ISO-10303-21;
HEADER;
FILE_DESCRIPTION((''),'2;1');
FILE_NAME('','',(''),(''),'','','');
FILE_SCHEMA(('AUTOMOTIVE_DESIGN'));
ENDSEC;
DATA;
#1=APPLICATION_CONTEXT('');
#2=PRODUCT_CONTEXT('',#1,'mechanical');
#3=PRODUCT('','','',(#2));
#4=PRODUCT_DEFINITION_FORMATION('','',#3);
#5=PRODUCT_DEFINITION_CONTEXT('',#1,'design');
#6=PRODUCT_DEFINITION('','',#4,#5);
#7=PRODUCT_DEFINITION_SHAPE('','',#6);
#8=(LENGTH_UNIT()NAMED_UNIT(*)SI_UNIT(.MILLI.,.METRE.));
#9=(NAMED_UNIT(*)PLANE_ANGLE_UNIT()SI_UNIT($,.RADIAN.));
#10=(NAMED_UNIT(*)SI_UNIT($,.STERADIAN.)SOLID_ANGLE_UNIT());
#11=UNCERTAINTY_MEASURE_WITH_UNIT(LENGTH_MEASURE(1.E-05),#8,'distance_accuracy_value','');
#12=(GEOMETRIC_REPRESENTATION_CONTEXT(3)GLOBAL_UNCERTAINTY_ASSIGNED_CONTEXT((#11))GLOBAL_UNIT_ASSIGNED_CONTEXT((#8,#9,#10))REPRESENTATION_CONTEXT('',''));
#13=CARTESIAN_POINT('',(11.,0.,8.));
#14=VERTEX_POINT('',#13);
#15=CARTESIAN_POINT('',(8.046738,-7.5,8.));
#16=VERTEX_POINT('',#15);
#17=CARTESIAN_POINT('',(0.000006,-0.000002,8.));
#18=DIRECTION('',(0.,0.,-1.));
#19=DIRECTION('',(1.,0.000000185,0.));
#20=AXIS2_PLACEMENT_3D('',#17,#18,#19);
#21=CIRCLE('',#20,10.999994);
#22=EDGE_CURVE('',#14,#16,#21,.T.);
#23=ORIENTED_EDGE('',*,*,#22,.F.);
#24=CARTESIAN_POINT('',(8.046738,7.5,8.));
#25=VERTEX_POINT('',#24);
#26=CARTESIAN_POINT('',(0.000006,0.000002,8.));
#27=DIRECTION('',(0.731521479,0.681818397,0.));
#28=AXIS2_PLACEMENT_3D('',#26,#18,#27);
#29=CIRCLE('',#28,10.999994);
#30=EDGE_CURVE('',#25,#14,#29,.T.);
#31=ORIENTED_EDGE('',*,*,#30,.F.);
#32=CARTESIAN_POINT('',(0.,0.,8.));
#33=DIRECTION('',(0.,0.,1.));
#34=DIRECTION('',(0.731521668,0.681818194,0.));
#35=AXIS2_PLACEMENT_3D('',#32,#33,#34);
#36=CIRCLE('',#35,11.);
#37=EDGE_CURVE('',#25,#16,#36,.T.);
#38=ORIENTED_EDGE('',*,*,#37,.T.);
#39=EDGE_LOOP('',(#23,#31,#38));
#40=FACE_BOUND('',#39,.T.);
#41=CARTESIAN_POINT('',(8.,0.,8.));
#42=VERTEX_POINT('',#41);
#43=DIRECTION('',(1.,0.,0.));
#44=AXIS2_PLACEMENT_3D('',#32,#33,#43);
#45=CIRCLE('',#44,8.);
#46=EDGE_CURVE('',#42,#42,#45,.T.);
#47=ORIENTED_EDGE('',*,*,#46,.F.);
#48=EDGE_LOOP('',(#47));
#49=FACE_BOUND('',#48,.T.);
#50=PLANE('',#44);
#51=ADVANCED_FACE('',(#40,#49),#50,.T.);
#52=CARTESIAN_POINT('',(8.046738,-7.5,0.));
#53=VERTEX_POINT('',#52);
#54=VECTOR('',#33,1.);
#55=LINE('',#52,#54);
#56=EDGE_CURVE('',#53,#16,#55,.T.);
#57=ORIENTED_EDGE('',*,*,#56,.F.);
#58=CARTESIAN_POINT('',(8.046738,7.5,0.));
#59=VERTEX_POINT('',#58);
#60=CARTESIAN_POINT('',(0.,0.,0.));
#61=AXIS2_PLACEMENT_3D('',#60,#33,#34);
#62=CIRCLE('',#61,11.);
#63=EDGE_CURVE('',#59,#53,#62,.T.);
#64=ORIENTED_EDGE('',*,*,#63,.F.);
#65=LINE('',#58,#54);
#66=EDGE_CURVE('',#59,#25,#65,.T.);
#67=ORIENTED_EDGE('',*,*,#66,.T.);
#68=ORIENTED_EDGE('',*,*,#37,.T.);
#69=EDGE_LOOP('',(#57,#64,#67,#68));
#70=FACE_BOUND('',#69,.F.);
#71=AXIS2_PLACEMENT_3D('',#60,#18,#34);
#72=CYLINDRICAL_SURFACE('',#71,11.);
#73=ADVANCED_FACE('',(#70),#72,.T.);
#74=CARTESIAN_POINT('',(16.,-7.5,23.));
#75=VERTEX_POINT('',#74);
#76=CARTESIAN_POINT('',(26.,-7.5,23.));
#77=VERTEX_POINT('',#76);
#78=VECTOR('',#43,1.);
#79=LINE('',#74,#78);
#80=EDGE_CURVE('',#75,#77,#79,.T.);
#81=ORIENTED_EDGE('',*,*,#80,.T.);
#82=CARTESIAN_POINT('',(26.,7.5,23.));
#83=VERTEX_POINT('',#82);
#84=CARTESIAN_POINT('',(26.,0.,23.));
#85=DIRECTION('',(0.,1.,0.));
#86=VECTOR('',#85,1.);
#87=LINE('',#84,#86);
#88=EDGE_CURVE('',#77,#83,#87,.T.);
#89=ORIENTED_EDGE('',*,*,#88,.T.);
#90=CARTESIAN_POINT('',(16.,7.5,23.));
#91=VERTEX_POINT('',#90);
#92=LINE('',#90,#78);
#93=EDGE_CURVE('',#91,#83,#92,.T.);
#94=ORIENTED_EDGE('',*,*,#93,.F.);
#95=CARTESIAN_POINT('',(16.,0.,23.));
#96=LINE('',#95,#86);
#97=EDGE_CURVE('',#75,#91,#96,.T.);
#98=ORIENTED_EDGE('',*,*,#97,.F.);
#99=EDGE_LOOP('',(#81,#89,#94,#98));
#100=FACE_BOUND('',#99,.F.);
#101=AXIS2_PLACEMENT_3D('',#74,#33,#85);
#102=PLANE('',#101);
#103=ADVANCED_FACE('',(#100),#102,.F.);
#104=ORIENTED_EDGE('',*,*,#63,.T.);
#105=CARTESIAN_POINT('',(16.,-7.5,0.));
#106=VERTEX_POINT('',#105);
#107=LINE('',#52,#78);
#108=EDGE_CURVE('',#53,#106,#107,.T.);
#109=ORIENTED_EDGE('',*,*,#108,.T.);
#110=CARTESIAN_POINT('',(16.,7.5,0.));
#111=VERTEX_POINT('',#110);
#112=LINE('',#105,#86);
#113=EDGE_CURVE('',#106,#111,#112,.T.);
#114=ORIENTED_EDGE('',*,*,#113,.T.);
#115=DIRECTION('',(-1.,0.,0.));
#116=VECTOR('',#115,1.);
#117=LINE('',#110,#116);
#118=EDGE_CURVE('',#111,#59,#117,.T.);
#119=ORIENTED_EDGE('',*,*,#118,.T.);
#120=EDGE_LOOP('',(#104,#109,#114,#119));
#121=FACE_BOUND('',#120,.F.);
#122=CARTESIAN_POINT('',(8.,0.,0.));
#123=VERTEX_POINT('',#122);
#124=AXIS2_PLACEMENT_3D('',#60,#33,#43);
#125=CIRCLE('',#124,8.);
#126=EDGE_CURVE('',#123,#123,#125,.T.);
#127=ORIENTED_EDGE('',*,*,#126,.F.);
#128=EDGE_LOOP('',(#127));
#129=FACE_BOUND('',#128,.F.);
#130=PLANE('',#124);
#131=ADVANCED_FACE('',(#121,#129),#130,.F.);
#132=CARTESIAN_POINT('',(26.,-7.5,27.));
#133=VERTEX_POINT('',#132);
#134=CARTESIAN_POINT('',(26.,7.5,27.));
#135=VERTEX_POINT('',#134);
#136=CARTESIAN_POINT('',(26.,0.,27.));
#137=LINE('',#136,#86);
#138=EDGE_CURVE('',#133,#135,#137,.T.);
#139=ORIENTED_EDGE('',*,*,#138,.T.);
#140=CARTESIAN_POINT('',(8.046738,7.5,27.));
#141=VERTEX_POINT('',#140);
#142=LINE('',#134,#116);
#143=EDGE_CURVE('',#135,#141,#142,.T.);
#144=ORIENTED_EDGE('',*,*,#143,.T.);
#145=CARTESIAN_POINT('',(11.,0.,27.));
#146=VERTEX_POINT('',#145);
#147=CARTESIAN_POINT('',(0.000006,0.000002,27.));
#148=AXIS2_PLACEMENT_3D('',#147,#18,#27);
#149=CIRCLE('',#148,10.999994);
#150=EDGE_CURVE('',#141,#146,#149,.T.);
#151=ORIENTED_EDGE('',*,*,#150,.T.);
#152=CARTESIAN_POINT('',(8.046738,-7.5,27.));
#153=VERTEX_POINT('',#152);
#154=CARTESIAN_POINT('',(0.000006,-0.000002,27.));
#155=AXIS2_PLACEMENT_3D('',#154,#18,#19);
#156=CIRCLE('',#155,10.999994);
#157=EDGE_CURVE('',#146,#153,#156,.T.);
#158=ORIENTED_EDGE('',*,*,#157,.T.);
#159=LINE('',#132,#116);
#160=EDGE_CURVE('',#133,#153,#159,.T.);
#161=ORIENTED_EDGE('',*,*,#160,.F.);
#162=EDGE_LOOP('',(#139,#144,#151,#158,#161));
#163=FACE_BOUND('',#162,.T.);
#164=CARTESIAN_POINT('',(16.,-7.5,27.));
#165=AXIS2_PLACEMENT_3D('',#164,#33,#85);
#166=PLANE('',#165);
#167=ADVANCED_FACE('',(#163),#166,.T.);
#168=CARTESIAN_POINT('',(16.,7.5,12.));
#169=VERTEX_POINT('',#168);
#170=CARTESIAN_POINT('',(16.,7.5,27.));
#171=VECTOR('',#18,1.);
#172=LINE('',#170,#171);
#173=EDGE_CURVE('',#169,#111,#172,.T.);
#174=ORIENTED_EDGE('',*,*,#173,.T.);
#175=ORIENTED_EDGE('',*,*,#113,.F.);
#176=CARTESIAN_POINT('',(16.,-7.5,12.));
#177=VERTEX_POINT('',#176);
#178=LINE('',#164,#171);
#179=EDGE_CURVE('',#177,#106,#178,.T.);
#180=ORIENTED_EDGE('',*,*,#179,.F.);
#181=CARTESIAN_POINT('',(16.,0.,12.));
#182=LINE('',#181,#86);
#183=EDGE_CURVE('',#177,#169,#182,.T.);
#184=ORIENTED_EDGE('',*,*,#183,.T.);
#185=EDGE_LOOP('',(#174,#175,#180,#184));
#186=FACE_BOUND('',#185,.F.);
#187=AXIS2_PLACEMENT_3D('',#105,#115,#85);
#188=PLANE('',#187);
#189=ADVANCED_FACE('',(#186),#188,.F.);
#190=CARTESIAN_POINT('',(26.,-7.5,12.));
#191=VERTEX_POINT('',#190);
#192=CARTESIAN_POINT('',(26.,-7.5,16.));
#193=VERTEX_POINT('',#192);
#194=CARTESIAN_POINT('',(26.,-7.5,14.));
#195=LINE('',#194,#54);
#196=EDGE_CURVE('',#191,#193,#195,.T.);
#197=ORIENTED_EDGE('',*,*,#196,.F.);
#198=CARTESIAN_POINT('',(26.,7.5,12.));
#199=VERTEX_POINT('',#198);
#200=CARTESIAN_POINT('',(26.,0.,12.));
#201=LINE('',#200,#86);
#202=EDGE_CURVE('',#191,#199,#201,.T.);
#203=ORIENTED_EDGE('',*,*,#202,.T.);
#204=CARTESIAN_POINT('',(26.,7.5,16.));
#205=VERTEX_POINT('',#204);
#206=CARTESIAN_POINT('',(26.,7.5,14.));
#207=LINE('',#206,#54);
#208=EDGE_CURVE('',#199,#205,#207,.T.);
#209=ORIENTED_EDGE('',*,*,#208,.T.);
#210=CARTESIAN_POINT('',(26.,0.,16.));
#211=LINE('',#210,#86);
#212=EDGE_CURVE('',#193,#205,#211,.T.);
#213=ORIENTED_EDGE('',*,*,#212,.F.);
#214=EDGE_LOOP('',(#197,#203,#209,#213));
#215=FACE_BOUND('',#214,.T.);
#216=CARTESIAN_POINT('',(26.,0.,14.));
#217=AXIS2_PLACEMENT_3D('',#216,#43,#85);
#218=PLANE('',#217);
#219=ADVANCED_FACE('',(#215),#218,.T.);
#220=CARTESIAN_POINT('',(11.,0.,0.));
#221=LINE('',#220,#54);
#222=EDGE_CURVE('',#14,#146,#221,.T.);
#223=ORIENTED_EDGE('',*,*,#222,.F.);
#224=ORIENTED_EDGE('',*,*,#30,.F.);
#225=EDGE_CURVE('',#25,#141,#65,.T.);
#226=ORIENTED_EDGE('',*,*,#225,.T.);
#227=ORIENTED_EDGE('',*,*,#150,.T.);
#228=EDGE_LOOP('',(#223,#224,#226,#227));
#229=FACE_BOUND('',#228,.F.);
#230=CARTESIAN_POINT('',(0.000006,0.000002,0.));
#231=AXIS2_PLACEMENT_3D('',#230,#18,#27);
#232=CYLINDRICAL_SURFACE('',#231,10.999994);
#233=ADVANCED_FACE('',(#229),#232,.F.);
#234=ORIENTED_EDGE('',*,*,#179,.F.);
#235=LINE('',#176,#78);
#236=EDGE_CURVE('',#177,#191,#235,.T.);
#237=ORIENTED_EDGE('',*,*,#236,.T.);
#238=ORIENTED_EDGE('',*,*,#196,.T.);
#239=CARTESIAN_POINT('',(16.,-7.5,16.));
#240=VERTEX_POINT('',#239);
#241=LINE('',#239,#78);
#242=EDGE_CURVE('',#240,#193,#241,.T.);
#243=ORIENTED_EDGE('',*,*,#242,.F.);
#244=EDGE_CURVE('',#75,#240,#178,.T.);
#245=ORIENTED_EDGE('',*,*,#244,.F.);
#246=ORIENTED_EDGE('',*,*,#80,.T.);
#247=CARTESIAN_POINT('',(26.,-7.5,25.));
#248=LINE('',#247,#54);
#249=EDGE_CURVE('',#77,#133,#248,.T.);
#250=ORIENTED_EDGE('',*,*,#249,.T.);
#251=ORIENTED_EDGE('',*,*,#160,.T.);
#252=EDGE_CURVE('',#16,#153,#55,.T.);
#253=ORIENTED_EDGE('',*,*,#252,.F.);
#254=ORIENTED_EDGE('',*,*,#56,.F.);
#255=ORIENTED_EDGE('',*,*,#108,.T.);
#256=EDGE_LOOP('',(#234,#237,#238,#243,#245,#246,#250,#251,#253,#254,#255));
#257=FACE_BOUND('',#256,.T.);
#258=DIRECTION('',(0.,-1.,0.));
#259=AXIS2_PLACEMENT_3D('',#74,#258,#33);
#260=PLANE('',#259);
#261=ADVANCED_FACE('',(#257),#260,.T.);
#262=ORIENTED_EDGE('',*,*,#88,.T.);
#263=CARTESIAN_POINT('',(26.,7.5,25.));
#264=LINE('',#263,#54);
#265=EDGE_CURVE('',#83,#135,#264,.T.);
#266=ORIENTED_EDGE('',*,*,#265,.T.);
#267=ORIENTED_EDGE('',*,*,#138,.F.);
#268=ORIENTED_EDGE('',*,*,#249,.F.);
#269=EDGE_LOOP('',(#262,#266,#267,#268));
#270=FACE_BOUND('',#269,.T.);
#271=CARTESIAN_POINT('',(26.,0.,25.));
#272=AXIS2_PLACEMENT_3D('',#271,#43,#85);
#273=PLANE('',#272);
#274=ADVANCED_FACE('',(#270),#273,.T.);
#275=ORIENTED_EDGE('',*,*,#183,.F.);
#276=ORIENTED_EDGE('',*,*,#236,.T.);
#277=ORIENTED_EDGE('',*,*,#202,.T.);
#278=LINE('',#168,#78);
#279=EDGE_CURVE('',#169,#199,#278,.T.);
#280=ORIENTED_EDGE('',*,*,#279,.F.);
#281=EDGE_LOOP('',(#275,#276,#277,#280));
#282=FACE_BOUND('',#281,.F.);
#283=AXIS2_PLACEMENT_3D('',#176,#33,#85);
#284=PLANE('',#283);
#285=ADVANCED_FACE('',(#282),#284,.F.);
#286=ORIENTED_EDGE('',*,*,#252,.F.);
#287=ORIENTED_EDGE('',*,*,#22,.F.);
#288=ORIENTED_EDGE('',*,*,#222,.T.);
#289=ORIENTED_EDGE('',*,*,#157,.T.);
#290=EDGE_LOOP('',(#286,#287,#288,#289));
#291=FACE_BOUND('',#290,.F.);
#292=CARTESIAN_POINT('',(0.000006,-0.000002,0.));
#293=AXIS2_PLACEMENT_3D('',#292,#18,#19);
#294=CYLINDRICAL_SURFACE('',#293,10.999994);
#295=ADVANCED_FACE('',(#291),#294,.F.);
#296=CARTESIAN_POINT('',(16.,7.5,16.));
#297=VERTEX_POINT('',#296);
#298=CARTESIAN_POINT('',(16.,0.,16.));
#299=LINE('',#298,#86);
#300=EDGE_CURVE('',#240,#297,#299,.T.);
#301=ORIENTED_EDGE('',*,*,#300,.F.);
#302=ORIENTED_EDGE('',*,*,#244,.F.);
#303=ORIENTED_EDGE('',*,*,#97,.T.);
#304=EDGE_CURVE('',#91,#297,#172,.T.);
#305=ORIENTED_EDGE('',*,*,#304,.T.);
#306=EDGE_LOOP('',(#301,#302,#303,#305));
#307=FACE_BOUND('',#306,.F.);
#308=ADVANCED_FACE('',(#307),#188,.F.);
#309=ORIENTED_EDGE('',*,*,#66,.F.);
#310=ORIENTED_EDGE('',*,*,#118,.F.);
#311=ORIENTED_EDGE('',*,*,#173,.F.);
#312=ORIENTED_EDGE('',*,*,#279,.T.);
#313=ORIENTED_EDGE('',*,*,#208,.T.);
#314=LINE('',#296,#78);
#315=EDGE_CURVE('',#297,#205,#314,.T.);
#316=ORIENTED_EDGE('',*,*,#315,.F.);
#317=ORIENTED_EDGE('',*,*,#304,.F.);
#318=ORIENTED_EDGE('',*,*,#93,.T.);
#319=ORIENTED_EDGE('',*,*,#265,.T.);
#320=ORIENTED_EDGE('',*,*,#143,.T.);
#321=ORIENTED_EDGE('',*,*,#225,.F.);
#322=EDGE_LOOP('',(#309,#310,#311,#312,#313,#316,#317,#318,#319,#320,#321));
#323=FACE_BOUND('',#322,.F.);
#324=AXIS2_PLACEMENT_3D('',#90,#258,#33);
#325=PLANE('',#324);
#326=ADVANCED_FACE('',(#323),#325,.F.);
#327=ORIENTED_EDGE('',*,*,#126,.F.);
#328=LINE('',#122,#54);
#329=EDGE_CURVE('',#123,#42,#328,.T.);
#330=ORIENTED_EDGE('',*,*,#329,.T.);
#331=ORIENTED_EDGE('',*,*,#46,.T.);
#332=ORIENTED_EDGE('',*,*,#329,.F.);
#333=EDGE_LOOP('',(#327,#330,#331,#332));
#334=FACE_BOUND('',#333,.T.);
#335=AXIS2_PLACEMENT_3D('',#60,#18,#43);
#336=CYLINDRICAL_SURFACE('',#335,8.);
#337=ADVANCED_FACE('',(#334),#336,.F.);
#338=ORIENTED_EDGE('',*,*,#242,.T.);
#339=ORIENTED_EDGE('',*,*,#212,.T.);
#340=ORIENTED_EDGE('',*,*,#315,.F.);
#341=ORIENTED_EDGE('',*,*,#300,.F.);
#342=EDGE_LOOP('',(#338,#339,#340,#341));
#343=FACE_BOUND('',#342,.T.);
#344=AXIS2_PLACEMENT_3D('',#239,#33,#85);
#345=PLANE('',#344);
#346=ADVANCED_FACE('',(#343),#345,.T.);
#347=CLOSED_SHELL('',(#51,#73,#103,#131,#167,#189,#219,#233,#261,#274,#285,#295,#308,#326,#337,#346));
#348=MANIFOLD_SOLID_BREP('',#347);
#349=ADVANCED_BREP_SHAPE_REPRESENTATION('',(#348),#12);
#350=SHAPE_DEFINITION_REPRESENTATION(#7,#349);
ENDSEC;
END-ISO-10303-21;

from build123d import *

# Parameters (mm, degrees)
F0_R     = 8
F1_DEPTH = 8
F2_DEPTH = 27
F3_W     = 15
F3_H     = 4
F4_DEPTH = 10
F5_W     = 15
F5_H     = 4
F6_DEPTH = 10


with BuildPart() as f1:
    # F0 (on Top) → F1 (new body)
    with BuildSketch(Plane.XY):
        Circle(F0_R)
        with BuildLine():
            ThreePointArc((8.046738, -7.5), (10.23509, -4.030253), (11, 0))
            ThreePointArc((11, 0), (10.23509, 4.030253), (8.046738, 7.5))
            ThreePointArc((8.046738, 7.5), (-11, 0), (8.046738, -7.5))
        make_face()
        Circle(F0_R, mode=Mode.SUBTRACT)
        with BuildLine():
            ThreePointArc((8.046738, 7.5), (10.23509, 4.030253), (11, 0))
            Line((11, 0), (16, 0))
            Line((16, 0), (16, 7.5))
            Line((16, 7.5), (8.046738, 7.5))
        make_face()
        with BuildLine():
            Line((16, 0), (11, 0))
            ThreePointArc((11, 0), (10.23509, -4.030253), (8.046738, -7.5))
            Line((8.046738, -7.5), (16, -7.5))
            Line((16, -7.5), (16, 0))
        make_face()
    extrude(amount=F1_DEPTH)

    # F0 (on Top) → F2 (join)
    with BuildSketch(Plane.XY):
        with BuildLine():
            ThreePointArc((8.046738, 7.5), (10.23509, 4.030253), (11, 0))
            Line((11, 0), (16, 0))
            Line((16, 0), (16, 7.5))
            Line((16, 7.5), (8.046738, 7.5))
        make_face()
        with BuildLine():
            Line((16, 0), (11, 0))
            ThreePointArc((11, 0), (10.23509, -4.030253), (8.046738, -7.5))
            Line((8.046738, -7.5), (16, -7.5))
            Line((16, -7.5), (16, 0))
        make_face()
    extrude(amount=F2_DEPTH)

    # F3 (on face) → F4 (join)
    with BuildSketch(Plane.YZ.offset(16)):
        with Locations((0, 25)):
            Rectangle(F3_W, F3_H)
    extrude(amount=F4_DEPTH)

    # F5 (on face) → F6 (join)
    with BuildSketch(Plane.YZ.offset(16)):
        with Locations((0, 14)):
            Rectangle(F5_W, F5_H)
    extrude(amount=F6_DEPTH)


solid = f1.part
